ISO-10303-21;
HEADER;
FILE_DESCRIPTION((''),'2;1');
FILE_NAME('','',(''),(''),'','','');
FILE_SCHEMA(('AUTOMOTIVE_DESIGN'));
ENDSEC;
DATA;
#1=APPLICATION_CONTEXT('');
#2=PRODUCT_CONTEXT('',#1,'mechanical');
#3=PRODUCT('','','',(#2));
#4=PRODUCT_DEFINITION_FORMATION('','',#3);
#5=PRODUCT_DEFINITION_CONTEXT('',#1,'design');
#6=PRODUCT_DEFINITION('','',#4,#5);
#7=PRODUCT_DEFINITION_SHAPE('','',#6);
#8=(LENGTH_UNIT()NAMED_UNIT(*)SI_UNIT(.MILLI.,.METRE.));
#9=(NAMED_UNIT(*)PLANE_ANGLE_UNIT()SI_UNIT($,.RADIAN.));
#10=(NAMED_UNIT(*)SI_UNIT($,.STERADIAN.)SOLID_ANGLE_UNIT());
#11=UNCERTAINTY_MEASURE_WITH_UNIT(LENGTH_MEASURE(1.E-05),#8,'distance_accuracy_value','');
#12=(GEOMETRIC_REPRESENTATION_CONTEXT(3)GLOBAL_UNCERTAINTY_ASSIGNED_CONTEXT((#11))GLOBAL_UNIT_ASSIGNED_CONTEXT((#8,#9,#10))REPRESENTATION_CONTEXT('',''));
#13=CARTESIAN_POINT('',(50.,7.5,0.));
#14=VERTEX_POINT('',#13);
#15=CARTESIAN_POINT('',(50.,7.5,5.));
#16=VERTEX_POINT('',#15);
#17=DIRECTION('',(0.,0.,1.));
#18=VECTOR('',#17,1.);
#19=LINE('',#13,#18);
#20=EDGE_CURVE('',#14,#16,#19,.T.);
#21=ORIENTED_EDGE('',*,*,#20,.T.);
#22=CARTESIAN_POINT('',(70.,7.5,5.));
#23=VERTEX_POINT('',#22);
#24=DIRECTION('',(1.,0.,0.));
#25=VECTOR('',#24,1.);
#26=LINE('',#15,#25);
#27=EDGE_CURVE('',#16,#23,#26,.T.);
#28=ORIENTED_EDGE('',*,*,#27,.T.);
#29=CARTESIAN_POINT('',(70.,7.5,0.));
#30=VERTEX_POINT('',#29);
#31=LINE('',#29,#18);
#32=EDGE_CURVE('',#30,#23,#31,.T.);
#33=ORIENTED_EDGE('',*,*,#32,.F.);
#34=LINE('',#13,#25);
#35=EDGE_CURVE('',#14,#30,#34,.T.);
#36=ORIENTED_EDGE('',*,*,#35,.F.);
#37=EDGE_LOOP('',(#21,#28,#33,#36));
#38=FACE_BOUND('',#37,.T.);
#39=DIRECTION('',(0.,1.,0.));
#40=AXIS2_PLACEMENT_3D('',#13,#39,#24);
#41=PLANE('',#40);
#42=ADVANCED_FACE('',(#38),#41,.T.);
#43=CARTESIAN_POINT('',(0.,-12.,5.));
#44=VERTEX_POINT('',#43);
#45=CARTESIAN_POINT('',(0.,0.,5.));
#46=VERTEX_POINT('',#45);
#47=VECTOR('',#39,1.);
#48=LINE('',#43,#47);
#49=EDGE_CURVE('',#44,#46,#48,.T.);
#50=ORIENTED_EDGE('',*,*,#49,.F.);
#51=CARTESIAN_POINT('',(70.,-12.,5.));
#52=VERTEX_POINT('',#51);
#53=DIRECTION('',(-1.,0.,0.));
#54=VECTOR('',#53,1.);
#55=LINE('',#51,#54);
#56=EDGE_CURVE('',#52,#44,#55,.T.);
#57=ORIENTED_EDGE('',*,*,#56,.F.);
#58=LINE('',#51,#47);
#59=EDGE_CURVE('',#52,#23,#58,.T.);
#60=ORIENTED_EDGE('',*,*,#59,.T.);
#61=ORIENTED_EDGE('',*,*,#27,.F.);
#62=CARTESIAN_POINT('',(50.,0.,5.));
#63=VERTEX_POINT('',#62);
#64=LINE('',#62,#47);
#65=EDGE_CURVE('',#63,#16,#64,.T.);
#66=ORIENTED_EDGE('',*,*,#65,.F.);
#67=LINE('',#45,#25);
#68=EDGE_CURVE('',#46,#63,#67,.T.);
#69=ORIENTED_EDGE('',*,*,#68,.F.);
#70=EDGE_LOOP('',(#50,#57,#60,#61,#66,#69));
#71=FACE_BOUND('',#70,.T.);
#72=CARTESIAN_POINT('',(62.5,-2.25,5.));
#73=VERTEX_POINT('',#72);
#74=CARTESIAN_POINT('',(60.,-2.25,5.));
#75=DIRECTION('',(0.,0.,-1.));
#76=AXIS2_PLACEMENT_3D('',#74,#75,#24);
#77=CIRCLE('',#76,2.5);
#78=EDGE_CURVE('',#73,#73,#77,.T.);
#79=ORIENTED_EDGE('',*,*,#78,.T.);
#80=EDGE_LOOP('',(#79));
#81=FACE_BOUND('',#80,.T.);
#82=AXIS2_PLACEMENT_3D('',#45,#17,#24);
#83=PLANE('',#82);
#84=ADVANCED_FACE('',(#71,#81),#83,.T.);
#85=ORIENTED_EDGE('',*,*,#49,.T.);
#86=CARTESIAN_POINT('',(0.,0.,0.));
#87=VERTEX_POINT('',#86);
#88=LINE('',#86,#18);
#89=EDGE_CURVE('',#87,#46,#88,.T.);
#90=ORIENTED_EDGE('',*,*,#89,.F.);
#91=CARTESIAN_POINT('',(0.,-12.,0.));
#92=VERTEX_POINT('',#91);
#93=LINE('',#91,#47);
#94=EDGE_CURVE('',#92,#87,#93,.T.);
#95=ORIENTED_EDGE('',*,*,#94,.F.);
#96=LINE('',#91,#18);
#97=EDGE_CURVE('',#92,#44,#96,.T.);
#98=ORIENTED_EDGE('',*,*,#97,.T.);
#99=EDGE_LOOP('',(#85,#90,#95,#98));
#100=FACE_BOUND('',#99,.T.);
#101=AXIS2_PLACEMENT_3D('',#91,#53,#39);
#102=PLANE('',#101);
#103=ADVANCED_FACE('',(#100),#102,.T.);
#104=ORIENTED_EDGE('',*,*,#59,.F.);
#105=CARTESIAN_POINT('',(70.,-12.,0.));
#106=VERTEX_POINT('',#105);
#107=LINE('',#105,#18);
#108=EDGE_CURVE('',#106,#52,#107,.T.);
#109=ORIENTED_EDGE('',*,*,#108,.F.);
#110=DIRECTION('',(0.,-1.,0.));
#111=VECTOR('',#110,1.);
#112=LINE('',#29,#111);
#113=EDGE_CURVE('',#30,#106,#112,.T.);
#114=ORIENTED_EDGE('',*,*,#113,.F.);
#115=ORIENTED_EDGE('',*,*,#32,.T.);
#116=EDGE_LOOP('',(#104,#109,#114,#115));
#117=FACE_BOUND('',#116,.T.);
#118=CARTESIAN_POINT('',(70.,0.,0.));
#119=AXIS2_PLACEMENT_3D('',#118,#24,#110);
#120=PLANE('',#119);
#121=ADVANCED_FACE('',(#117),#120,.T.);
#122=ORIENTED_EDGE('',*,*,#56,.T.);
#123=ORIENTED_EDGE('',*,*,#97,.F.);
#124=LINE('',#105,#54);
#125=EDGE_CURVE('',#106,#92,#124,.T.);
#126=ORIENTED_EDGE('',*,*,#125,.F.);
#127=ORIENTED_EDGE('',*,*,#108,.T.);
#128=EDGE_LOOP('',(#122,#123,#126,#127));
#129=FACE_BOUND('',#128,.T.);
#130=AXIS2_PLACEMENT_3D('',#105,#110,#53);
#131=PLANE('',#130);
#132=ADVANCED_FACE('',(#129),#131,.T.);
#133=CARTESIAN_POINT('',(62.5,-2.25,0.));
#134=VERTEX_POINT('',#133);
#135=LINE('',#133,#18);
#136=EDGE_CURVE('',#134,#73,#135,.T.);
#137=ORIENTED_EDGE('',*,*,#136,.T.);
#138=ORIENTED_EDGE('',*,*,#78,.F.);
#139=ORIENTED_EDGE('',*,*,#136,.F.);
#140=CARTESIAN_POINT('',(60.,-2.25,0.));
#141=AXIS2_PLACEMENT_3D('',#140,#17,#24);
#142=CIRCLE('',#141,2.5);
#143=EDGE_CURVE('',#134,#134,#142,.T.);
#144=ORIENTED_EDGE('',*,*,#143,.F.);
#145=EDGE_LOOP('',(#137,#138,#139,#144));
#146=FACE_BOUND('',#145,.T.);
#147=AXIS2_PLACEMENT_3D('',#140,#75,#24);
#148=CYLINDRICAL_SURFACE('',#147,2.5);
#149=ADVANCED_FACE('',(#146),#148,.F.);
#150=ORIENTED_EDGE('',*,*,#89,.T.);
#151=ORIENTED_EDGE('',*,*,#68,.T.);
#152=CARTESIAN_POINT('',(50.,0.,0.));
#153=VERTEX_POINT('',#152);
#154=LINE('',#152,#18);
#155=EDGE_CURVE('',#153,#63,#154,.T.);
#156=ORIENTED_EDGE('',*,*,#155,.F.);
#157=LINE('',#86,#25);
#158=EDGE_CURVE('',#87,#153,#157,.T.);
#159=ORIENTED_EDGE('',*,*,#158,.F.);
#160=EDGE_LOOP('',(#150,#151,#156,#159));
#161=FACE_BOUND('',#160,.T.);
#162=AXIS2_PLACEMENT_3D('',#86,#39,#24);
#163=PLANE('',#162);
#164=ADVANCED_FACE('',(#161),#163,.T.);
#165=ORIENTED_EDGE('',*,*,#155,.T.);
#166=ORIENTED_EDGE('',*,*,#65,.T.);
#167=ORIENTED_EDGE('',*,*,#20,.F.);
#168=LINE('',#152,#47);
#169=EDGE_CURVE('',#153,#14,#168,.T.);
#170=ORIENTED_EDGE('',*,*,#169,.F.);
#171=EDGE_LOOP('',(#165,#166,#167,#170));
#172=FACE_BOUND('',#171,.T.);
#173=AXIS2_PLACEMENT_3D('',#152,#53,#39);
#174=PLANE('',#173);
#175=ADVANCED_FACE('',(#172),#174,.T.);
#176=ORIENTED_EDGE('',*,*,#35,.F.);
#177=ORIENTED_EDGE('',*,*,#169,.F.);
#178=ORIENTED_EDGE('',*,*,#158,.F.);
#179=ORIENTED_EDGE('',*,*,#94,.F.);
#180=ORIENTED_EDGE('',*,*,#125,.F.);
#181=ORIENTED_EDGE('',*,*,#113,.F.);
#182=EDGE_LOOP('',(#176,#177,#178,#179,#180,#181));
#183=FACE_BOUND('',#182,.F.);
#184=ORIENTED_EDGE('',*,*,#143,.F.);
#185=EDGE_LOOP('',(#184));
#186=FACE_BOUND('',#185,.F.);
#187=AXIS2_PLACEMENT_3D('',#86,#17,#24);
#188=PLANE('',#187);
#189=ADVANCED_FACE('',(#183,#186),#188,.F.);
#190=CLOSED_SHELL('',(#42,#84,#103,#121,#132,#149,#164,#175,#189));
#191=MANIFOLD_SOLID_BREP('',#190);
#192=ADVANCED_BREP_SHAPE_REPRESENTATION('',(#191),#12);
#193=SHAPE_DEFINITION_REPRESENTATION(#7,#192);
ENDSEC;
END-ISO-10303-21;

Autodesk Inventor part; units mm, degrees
ref_plane "YZ Plane" through (0, 0, 0) normal (1, 0, 0) x (0, 1, 0)
ref_plane "XZ Plane" through (0, 0, 0) normal (0, 1, 0) x (-1, 0, 0)
ref_plane "XY Plane" through (0, 0, 0) normal (0, 0, 1) x (1, 0, 0)
sketch "Sketch1" plane through (0, 0, 0) normal (0, 0, 1) x (1, 0, 0)
  line L0 (0, 0) -> (70, 0)
  line L1 (70, 0) -> (70, -12)
  line L2 (70, -12) -> (0, -12)
  line L3 (0, -12) -> (0, 0)
  line L4 (70, 0) -> (50, 0)
  line L5 (50, 0) -> (50, 7.5)
  line L6 (50, 7.5) -> (70, 7.5)
  line L7 (70, 7.5) -> (70, 0)
  circle A0 centre (60, -2.25) radius 2.5
  point P0 (0, -6)
  point P1 (70, -6)
  point P2 (35, 0)
  point P3 (50, 0)
  dimension "d0" = 70
  dimension "d1" = 12
  dimension "d11" = 20
  dimension "d12" = 7.5
  dimension "d15" = 9.75
  dimension "d16" = 10
  dimension "d17" = 5
extrude "Extrusion2" add sketch "Sketch1" along normal blind 5 contours L0 A0 L1 L2 L3 | L5 L6 L7 L0 A0
equation "\"d15\" = 0.5 * d1 + 0.5 * d12"
equation "\"d16\" = 0.5 * d11"
properties part number "Touchscreen mount v03"
